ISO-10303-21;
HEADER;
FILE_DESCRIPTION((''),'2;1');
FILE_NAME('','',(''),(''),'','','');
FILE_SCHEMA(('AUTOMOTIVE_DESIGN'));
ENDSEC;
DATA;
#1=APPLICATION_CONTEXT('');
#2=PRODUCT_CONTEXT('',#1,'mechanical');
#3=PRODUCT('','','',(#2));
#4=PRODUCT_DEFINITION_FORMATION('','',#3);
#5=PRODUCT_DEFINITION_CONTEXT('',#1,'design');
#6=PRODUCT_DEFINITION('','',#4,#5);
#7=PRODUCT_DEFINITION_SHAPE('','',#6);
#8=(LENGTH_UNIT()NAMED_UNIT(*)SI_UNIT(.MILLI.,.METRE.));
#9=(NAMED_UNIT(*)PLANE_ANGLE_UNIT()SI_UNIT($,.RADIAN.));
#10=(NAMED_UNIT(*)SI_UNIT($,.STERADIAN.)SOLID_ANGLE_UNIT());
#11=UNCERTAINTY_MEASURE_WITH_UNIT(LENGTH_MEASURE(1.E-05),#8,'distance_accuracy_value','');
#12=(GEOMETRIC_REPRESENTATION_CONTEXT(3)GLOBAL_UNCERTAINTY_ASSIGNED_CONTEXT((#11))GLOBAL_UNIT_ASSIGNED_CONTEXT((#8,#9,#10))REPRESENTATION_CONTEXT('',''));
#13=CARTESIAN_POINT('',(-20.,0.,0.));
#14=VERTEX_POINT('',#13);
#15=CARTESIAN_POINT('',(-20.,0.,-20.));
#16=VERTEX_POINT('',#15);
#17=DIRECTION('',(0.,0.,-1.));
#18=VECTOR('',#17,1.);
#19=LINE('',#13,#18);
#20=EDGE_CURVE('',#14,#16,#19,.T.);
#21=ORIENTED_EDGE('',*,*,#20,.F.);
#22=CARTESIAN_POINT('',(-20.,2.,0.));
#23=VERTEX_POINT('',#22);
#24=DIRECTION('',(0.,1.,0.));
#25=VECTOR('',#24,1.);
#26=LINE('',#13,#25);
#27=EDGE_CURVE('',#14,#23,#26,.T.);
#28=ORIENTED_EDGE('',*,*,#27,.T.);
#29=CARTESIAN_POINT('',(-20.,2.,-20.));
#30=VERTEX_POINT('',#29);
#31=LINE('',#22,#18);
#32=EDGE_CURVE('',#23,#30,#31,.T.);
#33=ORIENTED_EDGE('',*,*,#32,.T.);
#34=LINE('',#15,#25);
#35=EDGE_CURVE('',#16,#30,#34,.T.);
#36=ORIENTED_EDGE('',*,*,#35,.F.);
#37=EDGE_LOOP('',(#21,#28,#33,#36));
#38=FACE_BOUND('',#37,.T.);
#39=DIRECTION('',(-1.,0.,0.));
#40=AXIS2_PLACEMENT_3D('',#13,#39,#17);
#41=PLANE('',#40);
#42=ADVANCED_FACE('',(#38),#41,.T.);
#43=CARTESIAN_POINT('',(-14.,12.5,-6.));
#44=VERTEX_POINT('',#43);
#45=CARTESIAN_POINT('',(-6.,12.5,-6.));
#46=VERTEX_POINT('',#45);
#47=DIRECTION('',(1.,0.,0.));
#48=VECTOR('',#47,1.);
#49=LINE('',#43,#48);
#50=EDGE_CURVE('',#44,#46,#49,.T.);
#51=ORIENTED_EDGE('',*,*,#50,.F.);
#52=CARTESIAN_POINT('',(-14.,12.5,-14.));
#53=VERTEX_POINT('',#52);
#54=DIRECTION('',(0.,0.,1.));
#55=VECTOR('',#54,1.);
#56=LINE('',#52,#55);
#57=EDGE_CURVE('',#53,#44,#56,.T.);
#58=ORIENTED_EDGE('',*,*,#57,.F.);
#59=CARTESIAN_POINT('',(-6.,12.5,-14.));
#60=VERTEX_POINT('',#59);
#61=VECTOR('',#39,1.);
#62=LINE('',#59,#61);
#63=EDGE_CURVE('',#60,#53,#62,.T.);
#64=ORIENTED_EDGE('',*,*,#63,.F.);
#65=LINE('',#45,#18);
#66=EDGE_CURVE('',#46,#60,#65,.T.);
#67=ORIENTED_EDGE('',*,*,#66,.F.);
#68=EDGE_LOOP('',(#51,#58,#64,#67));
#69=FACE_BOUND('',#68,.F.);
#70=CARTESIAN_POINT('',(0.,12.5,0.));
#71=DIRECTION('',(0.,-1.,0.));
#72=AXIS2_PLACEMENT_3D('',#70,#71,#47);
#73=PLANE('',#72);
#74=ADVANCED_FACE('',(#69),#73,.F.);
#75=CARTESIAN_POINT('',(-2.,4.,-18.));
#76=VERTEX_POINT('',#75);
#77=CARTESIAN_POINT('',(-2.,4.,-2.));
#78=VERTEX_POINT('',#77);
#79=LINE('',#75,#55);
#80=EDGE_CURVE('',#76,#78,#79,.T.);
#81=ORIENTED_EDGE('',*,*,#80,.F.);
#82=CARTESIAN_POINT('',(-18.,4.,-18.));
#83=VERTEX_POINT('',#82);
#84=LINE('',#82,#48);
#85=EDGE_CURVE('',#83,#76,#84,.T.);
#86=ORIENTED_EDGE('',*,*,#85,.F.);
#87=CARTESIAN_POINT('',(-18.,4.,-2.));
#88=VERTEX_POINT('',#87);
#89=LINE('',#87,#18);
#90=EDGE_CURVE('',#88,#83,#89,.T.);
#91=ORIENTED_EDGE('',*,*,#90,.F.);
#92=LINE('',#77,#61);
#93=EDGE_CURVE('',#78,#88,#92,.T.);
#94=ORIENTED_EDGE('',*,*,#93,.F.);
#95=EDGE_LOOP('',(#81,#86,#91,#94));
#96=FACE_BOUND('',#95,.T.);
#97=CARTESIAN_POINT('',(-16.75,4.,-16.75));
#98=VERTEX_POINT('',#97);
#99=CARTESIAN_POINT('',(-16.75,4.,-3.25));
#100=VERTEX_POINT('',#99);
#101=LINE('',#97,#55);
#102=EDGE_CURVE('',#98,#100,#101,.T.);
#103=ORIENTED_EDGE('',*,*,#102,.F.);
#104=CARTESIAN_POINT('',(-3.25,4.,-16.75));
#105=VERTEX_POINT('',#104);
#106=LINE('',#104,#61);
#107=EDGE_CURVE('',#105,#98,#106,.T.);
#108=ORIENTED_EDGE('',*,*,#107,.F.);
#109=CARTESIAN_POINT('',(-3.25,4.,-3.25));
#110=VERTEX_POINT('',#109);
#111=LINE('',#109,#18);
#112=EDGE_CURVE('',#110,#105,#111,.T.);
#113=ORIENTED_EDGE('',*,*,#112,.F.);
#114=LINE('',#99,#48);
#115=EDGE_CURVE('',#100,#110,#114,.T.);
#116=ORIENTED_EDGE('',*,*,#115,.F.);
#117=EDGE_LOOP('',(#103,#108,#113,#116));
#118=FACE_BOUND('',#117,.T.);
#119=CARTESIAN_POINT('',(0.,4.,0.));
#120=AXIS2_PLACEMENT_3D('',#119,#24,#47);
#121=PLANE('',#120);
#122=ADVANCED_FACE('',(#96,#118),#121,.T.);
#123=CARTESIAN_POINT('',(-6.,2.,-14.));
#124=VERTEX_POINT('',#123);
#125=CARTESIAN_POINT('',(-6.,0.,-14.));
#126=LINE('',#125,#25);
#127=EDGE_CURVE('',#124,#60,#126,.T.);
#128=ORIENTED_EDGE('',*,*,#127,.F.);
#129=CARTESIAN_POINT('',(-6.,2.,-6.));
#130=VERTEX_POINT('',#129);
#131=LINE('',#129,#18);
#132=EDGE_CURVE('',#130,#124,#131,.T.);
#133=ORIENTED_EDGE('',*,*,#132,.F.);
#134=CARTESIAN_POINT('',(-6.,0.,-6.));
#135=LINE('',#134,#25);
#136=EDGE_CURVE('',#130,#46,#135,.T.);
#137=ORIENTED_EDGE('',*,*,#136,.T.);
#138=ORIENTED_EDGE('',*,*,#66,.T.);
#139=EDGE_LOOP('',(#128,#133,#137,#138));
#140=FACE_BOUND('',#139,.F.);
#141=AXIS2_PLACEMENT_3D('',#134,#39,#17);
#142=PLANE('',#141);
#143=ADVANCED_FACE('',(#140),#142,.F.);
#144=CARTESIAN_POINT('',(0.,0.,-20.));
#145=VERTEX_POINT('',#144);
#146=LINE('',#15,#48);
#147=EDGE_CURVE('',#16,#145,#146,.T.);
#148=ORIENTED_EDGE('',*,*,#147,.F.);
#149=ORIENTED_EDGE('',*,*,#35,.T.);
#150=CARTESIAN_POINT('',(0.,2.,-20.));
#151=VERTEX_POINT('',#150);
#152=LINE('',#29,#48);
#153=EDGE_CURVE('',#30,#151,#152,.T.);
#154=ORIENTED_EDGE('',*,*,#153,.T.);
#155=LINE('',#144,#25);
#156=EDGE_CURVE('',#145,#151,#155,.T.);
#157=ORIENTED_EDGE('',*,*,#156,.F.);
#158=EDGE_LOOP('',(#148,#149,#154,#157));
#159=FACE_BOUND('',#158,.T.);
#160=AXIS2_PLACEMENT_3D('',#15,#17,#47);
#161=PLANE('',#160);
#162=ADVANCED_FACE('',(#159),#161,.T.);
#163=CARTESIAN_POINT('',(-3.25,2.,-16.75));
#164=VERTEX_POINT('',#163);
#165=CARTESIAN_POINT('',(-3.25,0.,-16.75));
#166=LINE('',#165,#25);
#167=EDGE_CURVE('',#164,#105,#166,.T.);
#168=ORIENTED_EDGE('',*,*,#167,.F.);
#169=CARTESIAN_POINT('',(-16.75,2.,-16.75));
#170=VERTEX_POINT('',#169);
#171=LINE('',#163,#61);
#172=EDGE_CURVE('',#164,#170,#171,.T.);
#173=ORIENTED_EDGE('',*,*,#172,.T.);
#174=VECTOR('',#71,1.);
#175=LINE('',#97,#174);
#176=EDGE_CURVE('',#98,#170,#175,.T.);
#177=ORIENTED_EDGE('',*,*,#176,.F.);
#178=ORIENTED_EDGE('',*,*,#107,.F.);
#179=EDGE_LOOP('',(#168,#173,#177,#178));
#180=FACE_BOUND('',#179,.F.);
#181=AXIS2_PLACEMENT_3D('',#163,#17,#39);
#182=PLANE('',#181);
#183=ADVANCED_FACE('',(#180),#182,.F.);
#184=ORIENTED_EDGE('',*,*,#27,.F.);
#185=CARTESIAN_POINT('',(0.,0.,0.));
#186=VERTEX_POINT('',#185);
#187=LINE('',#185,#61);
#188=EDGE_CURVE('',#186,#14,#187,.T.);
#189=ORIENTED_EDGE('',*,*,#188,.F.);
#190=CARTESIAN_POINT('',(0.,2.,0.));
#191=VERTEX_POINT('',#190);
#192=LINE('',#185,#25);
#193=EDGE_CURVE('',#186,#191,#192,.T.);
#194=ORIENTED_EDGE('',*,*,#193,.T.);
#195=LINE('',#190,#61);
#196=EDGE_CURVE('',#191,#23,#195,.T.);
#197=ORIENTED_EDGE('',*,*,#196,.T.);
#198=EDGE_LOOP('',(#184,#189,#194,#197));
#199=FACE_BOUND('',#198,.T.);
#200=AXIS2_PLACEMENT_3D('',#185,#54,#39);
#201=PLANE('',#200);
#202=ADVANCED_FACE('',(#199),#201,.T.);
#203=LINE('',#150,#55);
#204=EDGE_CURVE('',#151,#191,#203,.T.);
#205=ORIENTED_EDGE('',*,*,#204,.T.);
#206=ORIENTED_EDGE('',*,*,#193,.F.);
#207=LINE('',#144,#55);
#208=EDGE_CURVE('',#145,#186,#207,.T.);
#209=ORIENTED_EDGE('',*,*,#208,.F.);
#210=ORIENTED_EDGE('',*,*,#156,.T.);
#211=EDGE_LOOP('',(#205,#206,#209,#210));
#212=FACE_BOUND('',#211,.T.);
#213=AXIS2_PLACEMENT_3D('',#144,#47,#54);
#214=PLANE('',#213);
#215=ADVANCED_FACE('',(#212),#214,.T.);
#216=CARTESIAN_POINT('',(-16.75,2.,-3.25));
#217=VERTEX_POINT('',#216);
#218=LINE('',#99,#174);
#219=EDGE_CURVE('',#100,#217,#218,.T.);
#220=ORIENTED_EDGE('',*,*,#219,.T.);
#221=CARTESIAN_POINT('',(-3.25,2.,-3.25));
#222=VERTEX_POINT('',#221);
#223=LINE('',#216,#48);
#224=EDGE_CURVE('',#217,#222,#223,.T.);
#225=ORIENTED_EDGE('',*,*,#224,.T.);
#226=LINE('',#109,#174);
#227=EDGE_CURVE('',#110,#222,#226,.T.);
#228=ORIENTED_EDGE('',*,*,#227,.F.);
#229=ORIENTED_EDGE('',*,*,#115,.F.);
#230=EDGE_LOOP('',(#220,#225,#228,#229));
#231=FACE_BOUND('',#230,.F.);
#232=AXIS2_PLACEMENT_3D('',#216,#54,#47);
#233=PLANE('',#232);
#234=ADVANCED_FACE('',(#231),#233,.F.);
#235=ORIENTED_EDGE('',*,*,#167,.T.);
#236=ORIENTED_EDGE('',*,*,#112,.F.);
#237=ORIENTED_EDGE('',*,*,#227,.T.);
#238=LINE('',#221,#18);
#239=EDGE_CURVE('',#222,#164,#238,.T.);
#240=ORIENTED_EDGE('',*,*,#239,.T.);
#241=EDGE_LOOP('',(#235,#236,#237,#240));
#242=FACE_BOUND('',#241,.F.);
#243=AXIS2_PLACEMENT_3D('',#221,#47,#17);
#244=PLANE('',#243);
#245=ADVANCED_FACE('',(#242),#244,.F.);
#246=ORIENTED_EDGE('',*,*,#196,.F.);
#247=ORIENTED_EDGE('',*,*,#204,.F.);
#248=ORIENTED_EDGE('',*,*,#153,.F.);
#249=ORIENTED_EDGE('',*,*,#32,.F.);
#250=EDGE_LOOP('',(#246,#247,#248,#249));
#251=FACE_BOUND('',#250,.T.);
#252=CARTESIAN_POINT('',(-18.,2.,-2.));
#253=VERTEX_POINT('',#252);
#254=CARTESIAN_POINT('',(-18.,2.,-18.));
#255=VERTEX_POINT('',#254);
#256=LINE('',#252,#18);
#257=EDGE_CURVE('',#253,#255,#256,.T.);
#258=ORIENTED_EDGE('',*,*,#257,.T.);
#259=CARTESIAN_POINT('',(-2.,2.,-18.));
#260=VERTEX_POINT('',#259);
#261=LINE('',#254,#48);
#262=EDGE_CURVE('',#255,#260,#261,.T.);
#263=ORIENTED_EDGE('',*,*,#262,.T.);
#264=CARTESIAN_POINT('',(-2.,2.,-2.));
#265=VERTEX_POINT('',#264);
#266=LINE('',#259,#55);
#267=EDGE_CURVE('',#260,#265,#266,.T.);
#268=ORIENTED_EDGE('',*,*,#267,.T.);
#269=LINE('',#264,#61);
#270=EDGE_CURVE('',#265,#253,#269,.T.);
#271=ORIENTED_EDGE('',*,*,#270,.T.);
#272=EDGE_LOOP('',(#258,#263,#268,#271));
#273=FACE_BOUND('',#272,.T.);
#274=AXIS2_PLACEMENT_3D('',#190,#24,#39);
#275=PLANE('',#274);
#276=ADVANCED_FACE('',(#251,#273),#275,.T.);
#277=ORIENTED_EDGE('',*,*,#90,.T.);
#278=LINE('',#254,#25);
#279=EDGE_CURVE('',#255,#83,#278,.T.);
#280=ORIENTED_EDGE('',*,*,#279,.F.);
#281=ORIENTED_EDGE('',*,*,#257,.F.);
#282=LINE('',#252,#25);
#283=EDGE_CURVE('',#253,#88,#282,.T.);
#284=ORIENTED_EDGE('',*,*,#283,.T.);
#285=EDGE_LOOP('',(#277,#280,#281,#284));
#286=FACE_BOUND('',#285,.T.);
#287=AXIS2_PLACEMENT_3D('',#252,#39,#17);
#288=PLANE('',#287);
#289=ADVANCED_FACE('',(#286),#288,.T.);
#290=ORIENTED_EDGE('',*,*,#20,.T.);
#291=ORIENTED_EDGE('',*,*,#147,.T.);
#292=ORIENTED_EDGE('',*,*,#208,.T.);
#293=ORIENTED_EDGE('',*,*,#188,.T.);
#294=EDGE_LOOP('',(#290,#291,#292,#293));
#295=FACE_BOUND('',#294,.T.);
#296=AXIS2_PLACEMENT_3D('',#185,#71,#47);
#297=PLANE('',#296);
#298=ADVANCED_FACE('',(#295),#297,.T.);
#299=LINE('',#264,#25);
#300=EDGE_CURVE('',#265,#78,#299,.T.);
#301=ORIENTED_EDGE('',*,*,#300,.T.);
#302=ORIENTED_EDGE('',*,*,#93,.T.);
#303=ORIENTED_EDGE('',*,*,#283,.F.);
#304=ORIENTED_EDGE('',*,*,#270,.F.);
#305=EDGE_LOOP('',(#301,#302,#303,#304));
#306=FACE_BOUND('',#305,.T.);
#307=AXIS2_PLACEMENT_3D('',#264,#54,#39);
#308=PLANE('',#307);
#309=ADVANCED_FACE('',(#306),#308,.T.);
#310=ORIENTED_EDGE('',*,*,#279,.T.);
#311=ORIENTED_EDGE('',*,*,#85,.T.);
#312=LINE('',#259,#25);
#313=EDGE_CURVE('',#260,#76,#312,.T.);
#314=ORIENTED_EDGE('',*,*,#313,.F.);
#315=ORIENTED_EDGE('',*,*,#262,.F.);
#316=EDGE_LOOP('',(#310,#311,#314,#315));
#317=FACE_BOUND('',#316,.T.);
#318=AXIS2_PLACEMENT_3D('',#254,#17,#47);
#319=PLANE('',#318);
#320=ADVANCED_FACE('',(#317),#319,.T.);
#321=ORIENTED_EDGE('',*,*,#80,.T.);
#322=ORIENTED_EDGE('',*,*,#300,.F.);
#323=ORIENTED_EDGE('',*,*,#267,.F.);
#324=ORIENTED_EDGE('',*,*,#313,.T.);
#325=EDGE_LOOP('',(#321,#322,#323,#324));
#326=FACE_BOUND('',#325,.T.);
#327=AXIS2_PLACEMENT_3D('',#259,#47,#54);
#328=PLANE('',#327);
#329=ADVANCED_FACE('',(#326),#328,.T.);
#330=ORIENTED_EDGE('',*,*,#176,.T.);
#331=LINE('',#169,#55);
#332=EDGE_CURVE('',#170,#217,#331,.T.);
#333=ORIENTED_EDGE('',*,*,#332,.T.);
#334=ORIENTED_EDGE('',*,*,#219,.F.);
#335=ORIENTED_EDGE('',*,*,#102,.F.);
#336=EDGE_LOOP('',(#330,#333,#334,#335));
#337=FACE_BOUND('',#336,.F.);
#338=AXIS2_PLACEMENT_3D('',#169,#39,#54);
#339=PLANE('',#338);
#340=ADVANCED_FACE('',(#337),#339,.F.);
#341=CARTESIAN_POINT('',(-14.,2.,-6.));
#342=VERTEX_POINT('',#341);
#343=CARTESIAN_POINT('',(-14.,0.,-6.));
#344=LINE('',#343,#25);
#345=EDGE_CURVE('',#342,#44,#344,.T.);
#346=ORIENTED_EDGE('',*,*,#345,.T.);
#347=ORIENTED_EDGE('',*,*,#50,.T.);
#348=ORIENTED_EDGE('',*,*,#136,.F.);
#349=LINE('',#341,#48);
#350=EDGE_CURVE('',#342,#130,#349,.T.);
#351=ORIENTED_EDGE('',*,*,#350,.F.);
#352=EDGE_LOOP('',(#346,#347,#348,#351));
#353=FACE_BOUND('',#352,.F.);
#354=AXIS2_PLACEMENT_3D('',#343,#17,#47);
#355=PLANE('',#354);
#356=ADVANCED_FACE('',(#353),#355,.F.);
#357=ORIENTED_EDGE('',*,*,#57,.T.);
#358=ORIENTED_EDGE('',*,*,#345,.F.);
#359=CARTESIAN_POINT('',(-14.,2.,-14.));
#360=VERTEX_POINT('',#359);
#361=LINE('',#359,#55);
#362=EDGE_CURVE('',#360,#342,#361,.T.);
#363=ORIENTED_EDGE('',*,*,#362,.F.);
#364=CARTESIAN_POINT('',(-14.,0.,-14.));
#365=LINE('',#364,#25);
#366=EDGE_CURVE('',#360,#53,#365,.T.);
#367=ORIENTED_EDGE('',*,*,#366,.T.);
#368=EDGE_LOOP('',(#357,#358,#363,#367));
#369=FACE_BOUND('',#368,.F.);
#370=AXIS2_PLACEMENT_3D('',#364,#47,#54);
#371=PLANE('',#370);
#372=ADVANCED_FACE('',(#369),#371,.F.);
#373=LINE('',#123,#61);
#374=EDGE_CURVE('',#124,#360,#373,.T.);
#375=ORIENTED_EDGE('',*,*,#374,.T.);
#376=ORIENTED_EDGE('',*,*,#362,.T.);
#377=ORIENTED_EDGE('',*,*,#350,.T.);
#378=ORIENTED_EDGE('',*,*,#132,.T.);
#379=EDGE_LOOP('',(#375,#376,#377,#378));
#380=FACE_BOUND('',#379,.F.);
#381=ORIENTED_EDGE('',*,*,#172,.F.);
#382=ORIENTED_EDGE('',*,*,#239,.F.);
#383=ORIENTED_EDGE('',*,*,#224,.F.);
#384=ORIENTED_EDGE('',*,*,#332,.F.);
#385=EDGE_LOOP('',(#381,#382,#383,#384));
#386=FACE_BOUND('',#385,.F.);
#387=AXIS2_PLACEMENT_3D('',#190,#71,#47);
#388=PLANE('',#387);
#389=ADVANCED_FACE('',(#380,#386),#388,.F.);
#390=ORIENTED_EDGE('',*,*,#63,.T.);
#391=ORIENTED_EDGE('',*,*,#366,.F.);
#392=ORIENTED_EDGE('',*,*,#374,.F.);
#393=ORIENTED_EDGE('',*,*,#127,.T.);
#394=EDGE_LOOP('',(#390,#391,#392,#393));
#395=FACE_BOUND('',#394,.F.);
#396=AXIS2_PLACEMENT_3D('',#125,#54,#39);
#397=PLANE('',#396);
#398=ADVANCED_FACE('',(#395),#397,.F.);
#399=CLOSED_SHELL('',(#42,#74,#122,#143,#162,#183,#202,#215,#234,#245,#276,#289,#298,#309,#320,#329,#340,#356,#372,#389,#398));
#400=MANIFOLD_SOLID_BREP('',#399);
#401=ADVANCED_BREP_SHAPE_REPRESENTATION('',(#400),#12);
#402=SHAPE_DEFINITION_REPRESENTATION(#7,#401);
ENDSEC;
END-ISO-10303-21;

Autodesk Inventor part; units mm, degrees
ref_plane "YZ Plane" through (0, 0, 0) normal (1, 0, 0) x (0, 1, 0)
ref_plane "XZ Plane" through (0, 0, 0) normal (0, 1, 0) x (-1, 0, 0)
ref_plane "XY Plane" through (0, 0, 0) normal (0, 0, 1) x (1, 0, 0)
sketch "Sketch1" plane through (0, 0, 0) normal (0, 1, 0) x (-1, 0, 0)
  line L0 (0, 0) -> (20, 0)
  line L1 (20, 0) -> (20, -20)
  line L2 (20, -20) -> (0, -20)
  line L3 (0, -20) -> (0, 0)
  dimension "d0" = 20
  dimension "d1" = 20
extrude "Extrusion1" add sketch "Sketch1" along normal blind 2
sketch "Sketch2" plane through (0, 2, 0) normal (0, 1, 0) x (1, 0, 0)
  line L0 (0, 20) -> (-20, 20) projected
  line L1 (-20, 20) -> (-20, 0) projected
  line L2 (-20, 0) -> (0, 0) projected
  line L3 (0, 0) -> (0, 20) projected
  line L4 (-18, 2) -> (-18, 18)
  line L5 (-18, 18) -> (-2, 18)
  line L6 (-2, 18) -> (-2, 2)
  line L7 (-2, 2) -> (-18, 2)
  line L8 (-16.75, 16.75) -> (-16.75, 3.25)
  line L9 (-16.75, 3.25) -> (-3.25, 3.25)
  line L10 (-3.25, 3.25) -> (-3.25, 16.75)
  line L11 (-3.25, 16.75) -> (-16.75, 16.75)
  dimension "d4" = 2
  dimension "d5" = 1.25
extrude "Extrusion2" add sketch "Sketch2" along normal blind 2 contours L4 L5 L6 L7
extrude "Extrusion3" cut sketch "Sketch2" against normal blind 10 contours L11 L10 L9 L8
sketch "Sketch3" plane through (0, 0, 0) normal (0, -1, 0) x (1, 0, 0)
  line L0 (-3.25, -3.25) -> (-3.25, -16.75) projected
  line L1 (-3.25, -16.75) -> (-16.75, -16.75) projected
  line L2 (-16.75, -16.75) -> (-16.75, -3.25) projected
  line L3 (-16.75, -3.25) -> (-3.25, -3.25) projected
  line L4 (0, -20) -> (-20, -20) projected
  line L5 (0, 0) -> (0, -20) projected
  line L6 (-20, 0) -> (0, 0) projected
  line L7 (-20, -20) -> (-20, 0) projected
  line L8 (-6, -6) -> (-6, -14)
  line L9 (-6, -14) -> (-14, -14)
  line L10 (-14, -14) -> (-14, -6)
  line L11 (-14, -6) -> (-6, -6)
extrude "Extrusion4" add sketch "Sketch3" against normal up to surface (2 mm away) contours L0 L1 L2 L3
extrude "Extrusion5" add sketch "Sketch3" against normal blind 12.5 contours L8 L9 L10 L11
properties part number "latticeChamberCapv4"
